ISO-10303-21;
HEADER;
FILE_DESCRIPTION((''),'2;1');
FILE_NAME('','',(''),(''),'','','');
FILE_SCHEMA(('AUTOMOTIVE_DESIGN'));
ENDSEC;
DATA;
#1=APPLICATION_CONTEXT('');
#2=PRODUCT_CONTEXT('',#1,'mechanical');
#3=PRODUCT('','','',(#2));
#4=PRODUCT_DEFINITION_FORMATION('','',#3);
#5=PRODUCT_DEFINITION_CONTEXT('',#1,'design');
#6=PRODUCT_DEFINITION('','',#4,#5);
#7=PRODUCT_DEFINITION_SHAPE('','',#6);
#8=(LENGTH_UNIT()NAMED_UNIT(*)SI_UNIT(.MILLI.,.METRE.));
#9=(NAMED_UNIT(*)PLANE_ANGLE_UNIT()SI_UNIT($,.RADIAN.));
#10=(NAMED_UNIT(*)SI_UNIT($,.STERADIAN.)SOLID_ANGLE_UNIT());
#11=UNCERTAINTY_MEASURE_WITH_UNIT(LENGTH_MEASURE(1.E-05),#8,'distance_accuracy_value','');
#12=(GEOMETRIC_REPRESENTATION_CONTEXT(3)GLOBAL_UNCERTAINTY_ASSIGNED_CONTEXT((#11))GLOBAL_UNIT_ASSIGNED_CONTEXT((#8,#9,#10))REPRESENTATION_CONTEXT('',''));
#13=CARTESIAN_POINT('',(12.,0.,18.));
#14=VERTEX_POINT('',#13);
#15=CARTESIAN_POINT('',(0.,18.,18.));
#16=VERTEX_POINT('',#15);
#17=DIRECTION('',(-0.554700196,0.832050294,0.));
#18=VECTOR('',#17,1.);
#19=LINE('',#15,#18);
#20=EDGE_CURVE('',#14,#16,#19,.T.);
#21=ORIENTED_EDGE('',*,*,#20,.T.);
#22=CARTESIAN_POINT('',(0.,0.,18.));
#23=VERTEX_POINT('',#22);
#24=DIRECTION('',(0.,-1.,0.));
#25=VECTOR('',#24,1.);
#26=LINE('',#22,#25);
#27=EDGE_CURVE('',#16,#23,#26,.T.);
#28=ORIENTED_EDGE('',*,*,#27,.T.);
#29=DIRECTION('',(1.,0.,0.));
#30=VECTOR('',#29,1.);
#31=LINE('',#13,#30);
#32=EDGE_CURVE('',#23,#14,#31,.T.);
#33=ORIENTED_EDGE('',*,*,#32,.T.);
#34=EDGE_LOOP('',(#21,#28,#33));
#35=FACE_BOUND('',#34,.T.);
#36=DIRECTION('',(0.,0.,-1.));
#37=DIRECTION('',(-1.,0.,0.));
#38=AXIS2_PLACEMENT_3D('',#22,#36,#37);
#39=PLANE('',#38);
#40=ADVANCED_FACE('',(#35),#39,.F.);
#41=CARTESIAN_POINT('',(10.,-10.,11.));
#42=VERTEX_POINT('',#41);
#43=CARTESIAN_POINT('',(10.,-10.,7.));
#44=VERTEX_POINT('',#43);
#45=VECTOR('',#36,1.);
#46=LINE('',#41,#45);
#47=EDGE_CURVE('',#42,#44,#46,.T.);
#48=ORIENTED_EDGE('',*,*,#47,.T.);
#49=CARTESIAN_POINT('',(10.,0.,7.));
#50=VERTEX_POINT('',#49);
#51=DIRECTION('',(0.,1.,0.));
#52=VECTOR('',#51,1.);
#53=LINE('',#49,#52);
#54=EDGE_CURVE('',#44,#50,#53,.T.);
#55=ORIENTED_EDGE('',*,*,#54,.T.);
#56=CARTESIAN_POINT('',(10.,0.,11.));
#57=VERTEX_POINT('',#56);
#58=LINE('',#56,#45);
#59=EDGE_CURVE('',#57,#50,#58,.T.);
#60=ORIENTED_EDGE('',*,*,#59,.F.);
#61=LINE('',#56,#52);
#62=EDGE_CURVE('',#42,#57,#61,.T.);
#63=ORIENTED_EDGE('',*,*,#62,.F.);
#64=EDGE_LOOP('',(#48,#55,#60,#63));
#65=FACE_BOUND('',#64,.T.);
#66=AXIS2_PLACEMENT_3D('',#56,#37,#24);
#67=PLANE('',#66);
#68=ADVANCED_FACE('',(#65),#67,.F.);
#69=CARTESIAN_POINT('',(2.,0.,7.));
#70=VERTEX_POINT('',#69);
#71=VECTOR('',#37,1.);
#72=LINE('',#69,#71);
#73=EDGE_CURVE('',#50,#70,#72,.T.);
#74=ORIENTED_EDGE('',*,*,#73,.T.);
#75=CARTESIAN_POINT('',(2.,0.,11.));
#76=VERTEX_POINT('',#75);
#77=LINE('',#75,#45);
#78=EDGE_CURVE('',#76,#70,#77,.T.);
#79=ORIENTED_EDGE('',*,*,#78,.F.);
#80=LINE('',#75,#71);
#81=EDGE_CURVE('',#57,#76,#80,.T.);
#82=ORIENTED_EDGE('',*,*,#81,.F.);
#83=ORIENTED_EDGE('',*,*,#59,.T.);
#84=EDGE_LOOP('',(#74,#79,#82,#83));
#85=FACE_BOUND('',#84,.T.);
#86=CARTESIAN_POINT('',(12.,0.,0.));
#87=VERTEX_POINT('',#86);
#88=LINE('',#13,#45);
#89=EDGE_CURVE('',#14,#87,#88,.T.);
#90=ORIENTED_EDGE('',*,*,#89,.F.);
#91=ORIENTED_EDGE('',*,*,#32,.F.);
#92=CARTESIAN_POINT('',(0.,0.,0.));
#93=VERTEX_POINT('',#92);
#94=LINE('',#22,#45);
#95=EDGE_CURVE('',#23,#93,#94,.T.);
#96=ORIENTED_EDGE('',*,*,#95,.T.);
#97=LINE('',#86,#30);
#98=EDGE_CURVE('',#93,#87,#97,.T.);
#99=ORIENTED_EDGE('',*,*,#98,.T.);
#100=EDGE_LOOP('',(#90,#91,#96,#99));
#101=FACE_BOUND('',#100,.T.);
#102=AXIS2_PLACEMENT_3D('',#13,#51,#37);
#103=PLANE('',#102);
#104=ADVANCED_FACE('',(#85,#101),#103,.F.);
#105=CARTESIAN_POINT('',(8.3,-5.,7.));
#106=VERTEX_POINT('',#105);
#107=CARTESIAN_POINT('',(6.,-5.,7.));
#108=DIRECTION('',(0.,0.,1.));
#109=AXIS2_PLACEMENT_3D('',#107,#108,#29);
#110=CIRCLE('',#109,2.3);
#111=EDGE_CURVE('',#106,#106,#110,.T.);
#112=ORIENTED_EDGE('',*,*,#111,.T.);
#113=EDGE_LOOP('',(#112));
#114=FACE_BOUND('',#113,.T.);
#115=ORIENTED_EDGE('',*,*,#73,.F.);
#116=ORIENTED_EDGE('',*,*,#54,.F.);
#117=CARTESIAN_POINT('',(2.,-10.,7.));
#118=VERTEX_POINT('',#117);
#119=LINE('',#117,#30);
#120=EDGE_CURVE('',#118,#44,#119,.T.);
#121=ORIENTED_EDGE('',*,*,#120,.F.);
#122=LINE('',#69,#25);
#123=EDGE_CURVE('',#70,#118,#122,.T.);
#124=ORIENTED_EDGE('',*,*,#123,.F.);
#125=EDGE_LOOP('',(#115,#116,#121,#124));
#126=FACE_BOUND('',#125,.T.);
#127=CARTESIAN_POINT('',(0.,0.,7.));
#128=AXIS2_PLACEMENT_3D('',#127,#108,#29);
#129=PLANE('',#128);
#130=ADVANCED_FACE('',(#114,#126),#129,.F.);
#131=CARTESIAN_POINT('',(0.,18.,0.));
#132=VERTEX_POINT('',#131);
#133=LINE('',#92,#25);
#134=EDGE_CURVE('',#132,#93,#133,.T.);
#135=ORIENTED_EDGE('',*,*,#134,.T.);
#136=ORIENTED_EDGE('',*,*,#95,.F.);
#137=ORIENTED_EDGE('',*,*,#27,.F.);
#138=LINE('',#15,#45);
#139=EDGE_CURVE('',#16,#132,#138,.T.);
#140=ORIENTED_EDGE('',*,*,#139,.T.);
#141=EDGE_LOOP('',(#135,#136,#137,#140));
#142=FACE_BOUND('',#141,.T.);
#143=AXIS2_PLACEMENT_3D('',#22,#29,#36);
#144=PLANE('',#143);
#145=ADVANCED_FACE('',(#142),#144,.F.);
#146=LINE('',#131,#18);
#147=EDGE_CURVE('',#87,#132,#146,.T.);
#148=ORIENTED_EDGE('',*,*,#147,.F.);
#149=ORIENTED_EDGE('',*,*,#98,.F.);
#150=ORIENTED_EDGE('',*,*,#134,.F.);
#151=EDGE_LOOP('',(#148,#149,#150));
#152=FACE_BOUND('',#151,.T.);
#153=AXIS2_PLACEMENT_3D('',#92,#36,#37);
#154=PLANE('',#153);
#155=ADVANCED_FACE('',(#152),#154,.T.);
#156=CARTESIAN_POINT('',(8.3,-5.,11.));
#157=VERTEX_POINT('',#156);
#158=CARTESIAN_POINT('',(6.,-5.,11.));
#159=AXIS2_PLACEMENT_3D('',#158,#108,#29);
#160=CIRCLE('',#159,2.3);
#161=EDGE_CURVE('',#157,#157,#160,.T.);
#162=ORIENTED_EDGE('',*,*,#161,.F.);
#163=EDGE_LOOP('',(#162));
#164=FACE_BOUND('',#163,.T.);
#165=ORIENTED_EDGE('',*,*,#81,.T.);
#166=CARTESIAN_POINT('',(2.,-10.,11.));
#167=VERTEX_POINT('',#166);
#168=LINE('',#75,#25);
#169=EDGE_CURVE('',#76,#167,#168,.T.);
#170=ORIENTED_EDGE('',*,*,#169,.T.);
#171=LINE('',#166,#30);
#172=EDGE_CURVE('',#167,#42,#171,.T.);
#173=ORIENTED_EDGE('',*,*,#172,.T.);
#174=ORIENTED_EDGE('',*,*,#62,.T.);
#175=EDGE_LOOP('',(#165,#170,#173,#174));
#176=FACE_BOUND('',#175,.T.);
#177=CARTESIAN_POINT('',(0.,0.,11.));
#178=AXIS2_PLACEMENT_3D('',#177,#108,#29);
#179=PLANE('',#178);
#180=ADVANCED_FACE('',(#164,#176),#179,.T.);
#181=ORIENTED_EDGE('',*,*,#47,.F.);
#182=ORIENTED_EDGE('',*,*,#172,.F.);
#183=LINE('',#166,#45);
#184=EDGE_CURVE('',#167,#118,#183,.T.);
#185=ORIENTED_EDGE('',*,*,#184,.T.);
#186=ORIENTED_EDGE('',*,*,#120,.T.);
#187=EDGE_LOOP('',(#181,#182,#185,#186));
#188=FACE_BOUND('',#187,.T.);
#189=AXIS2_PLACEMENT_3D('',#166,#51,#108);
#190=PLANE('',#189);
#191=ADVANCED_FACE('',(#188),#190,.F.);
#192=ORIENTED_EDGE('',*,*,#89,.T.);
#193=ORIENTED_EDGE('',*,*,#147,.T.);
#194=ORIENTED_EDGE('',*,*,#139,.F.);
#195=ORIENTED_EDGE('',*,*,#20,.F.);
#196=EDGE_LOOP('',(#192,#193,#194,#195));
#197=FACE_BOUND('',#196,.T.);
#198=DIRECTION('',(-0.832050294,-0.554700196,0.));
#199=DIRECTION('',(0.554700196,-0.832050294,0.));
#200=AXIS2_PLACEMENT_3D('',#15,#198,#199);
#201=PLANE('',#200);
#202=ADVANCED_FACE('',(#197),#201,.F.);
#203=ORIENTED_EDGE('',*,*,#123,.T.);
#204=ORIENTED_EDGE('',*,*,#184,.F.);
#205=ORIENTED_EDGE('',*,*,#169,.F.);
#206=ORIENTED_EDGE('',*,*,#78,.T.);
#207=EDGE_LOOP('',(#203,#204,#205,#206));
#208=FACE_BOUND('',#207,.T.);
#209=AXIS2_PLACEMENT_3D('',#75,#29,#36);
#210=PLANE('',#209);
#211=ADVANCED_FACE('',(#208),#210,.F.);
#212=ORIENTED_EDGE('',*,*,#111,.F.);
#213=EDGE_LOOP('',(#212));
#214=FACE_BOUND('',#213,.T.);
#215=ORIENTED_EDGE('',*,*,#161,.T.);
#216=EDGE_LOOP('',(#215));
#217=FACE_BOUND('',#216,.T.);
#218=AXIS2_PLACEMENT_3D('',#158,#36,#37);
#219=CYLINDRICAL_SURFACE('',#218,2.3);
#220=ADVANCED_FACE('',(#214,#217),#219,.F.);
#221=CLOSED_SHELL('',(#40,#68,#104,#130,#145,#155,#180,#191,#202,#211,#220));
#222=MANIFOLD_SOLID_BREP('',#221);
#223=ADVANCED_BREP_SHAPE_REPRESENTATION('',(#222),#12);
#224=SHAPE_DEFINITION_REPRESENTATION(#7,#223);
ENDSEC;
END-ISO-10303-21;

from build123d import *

# Parameters (mm, degrees)
BOSS_EXTRUDE1_DEPTH      = 18
BOSS_EXTRUDE2_DEPTH      = 2
BOSS_EXTRUDE2_DEPTH_BACK = 2
SKETCH2_W                = 8
SKETCH2_H                = 10
SKETCH2_R                = 2.3


with BuildPart() as part:
    # Sketch1 → Boss-Extrude1 (new body)
    with BuildSketch(Plane.XY):
        Polygon((0, 0), (0, 18), (12, 0), align=None)
    extrude(amount=BOSS_EXTRUDE1_DEPTH)

    # Sketch2 → Boss-Extrude2 (add, two sides: drawn at the far end of the back side and taken through both)
    with BuildSketch(Plane.XY.offset(9).offset(-BOSS_EXTRUDE2_DEPTH_BACK)):
        with Locations((6, -5)):
            Rectangle(SKETCH2_W, SKETCH2_H)
        with Locations((6, -5)):
            Circle(SKETCH2_R, mode=Mode.SUBTRACT)
    extrude(amount=BOSS_EXTRUDE2_DEPTH + BOSS_EXTRUDE2_DEPTH_BACK)


solid = part.part
